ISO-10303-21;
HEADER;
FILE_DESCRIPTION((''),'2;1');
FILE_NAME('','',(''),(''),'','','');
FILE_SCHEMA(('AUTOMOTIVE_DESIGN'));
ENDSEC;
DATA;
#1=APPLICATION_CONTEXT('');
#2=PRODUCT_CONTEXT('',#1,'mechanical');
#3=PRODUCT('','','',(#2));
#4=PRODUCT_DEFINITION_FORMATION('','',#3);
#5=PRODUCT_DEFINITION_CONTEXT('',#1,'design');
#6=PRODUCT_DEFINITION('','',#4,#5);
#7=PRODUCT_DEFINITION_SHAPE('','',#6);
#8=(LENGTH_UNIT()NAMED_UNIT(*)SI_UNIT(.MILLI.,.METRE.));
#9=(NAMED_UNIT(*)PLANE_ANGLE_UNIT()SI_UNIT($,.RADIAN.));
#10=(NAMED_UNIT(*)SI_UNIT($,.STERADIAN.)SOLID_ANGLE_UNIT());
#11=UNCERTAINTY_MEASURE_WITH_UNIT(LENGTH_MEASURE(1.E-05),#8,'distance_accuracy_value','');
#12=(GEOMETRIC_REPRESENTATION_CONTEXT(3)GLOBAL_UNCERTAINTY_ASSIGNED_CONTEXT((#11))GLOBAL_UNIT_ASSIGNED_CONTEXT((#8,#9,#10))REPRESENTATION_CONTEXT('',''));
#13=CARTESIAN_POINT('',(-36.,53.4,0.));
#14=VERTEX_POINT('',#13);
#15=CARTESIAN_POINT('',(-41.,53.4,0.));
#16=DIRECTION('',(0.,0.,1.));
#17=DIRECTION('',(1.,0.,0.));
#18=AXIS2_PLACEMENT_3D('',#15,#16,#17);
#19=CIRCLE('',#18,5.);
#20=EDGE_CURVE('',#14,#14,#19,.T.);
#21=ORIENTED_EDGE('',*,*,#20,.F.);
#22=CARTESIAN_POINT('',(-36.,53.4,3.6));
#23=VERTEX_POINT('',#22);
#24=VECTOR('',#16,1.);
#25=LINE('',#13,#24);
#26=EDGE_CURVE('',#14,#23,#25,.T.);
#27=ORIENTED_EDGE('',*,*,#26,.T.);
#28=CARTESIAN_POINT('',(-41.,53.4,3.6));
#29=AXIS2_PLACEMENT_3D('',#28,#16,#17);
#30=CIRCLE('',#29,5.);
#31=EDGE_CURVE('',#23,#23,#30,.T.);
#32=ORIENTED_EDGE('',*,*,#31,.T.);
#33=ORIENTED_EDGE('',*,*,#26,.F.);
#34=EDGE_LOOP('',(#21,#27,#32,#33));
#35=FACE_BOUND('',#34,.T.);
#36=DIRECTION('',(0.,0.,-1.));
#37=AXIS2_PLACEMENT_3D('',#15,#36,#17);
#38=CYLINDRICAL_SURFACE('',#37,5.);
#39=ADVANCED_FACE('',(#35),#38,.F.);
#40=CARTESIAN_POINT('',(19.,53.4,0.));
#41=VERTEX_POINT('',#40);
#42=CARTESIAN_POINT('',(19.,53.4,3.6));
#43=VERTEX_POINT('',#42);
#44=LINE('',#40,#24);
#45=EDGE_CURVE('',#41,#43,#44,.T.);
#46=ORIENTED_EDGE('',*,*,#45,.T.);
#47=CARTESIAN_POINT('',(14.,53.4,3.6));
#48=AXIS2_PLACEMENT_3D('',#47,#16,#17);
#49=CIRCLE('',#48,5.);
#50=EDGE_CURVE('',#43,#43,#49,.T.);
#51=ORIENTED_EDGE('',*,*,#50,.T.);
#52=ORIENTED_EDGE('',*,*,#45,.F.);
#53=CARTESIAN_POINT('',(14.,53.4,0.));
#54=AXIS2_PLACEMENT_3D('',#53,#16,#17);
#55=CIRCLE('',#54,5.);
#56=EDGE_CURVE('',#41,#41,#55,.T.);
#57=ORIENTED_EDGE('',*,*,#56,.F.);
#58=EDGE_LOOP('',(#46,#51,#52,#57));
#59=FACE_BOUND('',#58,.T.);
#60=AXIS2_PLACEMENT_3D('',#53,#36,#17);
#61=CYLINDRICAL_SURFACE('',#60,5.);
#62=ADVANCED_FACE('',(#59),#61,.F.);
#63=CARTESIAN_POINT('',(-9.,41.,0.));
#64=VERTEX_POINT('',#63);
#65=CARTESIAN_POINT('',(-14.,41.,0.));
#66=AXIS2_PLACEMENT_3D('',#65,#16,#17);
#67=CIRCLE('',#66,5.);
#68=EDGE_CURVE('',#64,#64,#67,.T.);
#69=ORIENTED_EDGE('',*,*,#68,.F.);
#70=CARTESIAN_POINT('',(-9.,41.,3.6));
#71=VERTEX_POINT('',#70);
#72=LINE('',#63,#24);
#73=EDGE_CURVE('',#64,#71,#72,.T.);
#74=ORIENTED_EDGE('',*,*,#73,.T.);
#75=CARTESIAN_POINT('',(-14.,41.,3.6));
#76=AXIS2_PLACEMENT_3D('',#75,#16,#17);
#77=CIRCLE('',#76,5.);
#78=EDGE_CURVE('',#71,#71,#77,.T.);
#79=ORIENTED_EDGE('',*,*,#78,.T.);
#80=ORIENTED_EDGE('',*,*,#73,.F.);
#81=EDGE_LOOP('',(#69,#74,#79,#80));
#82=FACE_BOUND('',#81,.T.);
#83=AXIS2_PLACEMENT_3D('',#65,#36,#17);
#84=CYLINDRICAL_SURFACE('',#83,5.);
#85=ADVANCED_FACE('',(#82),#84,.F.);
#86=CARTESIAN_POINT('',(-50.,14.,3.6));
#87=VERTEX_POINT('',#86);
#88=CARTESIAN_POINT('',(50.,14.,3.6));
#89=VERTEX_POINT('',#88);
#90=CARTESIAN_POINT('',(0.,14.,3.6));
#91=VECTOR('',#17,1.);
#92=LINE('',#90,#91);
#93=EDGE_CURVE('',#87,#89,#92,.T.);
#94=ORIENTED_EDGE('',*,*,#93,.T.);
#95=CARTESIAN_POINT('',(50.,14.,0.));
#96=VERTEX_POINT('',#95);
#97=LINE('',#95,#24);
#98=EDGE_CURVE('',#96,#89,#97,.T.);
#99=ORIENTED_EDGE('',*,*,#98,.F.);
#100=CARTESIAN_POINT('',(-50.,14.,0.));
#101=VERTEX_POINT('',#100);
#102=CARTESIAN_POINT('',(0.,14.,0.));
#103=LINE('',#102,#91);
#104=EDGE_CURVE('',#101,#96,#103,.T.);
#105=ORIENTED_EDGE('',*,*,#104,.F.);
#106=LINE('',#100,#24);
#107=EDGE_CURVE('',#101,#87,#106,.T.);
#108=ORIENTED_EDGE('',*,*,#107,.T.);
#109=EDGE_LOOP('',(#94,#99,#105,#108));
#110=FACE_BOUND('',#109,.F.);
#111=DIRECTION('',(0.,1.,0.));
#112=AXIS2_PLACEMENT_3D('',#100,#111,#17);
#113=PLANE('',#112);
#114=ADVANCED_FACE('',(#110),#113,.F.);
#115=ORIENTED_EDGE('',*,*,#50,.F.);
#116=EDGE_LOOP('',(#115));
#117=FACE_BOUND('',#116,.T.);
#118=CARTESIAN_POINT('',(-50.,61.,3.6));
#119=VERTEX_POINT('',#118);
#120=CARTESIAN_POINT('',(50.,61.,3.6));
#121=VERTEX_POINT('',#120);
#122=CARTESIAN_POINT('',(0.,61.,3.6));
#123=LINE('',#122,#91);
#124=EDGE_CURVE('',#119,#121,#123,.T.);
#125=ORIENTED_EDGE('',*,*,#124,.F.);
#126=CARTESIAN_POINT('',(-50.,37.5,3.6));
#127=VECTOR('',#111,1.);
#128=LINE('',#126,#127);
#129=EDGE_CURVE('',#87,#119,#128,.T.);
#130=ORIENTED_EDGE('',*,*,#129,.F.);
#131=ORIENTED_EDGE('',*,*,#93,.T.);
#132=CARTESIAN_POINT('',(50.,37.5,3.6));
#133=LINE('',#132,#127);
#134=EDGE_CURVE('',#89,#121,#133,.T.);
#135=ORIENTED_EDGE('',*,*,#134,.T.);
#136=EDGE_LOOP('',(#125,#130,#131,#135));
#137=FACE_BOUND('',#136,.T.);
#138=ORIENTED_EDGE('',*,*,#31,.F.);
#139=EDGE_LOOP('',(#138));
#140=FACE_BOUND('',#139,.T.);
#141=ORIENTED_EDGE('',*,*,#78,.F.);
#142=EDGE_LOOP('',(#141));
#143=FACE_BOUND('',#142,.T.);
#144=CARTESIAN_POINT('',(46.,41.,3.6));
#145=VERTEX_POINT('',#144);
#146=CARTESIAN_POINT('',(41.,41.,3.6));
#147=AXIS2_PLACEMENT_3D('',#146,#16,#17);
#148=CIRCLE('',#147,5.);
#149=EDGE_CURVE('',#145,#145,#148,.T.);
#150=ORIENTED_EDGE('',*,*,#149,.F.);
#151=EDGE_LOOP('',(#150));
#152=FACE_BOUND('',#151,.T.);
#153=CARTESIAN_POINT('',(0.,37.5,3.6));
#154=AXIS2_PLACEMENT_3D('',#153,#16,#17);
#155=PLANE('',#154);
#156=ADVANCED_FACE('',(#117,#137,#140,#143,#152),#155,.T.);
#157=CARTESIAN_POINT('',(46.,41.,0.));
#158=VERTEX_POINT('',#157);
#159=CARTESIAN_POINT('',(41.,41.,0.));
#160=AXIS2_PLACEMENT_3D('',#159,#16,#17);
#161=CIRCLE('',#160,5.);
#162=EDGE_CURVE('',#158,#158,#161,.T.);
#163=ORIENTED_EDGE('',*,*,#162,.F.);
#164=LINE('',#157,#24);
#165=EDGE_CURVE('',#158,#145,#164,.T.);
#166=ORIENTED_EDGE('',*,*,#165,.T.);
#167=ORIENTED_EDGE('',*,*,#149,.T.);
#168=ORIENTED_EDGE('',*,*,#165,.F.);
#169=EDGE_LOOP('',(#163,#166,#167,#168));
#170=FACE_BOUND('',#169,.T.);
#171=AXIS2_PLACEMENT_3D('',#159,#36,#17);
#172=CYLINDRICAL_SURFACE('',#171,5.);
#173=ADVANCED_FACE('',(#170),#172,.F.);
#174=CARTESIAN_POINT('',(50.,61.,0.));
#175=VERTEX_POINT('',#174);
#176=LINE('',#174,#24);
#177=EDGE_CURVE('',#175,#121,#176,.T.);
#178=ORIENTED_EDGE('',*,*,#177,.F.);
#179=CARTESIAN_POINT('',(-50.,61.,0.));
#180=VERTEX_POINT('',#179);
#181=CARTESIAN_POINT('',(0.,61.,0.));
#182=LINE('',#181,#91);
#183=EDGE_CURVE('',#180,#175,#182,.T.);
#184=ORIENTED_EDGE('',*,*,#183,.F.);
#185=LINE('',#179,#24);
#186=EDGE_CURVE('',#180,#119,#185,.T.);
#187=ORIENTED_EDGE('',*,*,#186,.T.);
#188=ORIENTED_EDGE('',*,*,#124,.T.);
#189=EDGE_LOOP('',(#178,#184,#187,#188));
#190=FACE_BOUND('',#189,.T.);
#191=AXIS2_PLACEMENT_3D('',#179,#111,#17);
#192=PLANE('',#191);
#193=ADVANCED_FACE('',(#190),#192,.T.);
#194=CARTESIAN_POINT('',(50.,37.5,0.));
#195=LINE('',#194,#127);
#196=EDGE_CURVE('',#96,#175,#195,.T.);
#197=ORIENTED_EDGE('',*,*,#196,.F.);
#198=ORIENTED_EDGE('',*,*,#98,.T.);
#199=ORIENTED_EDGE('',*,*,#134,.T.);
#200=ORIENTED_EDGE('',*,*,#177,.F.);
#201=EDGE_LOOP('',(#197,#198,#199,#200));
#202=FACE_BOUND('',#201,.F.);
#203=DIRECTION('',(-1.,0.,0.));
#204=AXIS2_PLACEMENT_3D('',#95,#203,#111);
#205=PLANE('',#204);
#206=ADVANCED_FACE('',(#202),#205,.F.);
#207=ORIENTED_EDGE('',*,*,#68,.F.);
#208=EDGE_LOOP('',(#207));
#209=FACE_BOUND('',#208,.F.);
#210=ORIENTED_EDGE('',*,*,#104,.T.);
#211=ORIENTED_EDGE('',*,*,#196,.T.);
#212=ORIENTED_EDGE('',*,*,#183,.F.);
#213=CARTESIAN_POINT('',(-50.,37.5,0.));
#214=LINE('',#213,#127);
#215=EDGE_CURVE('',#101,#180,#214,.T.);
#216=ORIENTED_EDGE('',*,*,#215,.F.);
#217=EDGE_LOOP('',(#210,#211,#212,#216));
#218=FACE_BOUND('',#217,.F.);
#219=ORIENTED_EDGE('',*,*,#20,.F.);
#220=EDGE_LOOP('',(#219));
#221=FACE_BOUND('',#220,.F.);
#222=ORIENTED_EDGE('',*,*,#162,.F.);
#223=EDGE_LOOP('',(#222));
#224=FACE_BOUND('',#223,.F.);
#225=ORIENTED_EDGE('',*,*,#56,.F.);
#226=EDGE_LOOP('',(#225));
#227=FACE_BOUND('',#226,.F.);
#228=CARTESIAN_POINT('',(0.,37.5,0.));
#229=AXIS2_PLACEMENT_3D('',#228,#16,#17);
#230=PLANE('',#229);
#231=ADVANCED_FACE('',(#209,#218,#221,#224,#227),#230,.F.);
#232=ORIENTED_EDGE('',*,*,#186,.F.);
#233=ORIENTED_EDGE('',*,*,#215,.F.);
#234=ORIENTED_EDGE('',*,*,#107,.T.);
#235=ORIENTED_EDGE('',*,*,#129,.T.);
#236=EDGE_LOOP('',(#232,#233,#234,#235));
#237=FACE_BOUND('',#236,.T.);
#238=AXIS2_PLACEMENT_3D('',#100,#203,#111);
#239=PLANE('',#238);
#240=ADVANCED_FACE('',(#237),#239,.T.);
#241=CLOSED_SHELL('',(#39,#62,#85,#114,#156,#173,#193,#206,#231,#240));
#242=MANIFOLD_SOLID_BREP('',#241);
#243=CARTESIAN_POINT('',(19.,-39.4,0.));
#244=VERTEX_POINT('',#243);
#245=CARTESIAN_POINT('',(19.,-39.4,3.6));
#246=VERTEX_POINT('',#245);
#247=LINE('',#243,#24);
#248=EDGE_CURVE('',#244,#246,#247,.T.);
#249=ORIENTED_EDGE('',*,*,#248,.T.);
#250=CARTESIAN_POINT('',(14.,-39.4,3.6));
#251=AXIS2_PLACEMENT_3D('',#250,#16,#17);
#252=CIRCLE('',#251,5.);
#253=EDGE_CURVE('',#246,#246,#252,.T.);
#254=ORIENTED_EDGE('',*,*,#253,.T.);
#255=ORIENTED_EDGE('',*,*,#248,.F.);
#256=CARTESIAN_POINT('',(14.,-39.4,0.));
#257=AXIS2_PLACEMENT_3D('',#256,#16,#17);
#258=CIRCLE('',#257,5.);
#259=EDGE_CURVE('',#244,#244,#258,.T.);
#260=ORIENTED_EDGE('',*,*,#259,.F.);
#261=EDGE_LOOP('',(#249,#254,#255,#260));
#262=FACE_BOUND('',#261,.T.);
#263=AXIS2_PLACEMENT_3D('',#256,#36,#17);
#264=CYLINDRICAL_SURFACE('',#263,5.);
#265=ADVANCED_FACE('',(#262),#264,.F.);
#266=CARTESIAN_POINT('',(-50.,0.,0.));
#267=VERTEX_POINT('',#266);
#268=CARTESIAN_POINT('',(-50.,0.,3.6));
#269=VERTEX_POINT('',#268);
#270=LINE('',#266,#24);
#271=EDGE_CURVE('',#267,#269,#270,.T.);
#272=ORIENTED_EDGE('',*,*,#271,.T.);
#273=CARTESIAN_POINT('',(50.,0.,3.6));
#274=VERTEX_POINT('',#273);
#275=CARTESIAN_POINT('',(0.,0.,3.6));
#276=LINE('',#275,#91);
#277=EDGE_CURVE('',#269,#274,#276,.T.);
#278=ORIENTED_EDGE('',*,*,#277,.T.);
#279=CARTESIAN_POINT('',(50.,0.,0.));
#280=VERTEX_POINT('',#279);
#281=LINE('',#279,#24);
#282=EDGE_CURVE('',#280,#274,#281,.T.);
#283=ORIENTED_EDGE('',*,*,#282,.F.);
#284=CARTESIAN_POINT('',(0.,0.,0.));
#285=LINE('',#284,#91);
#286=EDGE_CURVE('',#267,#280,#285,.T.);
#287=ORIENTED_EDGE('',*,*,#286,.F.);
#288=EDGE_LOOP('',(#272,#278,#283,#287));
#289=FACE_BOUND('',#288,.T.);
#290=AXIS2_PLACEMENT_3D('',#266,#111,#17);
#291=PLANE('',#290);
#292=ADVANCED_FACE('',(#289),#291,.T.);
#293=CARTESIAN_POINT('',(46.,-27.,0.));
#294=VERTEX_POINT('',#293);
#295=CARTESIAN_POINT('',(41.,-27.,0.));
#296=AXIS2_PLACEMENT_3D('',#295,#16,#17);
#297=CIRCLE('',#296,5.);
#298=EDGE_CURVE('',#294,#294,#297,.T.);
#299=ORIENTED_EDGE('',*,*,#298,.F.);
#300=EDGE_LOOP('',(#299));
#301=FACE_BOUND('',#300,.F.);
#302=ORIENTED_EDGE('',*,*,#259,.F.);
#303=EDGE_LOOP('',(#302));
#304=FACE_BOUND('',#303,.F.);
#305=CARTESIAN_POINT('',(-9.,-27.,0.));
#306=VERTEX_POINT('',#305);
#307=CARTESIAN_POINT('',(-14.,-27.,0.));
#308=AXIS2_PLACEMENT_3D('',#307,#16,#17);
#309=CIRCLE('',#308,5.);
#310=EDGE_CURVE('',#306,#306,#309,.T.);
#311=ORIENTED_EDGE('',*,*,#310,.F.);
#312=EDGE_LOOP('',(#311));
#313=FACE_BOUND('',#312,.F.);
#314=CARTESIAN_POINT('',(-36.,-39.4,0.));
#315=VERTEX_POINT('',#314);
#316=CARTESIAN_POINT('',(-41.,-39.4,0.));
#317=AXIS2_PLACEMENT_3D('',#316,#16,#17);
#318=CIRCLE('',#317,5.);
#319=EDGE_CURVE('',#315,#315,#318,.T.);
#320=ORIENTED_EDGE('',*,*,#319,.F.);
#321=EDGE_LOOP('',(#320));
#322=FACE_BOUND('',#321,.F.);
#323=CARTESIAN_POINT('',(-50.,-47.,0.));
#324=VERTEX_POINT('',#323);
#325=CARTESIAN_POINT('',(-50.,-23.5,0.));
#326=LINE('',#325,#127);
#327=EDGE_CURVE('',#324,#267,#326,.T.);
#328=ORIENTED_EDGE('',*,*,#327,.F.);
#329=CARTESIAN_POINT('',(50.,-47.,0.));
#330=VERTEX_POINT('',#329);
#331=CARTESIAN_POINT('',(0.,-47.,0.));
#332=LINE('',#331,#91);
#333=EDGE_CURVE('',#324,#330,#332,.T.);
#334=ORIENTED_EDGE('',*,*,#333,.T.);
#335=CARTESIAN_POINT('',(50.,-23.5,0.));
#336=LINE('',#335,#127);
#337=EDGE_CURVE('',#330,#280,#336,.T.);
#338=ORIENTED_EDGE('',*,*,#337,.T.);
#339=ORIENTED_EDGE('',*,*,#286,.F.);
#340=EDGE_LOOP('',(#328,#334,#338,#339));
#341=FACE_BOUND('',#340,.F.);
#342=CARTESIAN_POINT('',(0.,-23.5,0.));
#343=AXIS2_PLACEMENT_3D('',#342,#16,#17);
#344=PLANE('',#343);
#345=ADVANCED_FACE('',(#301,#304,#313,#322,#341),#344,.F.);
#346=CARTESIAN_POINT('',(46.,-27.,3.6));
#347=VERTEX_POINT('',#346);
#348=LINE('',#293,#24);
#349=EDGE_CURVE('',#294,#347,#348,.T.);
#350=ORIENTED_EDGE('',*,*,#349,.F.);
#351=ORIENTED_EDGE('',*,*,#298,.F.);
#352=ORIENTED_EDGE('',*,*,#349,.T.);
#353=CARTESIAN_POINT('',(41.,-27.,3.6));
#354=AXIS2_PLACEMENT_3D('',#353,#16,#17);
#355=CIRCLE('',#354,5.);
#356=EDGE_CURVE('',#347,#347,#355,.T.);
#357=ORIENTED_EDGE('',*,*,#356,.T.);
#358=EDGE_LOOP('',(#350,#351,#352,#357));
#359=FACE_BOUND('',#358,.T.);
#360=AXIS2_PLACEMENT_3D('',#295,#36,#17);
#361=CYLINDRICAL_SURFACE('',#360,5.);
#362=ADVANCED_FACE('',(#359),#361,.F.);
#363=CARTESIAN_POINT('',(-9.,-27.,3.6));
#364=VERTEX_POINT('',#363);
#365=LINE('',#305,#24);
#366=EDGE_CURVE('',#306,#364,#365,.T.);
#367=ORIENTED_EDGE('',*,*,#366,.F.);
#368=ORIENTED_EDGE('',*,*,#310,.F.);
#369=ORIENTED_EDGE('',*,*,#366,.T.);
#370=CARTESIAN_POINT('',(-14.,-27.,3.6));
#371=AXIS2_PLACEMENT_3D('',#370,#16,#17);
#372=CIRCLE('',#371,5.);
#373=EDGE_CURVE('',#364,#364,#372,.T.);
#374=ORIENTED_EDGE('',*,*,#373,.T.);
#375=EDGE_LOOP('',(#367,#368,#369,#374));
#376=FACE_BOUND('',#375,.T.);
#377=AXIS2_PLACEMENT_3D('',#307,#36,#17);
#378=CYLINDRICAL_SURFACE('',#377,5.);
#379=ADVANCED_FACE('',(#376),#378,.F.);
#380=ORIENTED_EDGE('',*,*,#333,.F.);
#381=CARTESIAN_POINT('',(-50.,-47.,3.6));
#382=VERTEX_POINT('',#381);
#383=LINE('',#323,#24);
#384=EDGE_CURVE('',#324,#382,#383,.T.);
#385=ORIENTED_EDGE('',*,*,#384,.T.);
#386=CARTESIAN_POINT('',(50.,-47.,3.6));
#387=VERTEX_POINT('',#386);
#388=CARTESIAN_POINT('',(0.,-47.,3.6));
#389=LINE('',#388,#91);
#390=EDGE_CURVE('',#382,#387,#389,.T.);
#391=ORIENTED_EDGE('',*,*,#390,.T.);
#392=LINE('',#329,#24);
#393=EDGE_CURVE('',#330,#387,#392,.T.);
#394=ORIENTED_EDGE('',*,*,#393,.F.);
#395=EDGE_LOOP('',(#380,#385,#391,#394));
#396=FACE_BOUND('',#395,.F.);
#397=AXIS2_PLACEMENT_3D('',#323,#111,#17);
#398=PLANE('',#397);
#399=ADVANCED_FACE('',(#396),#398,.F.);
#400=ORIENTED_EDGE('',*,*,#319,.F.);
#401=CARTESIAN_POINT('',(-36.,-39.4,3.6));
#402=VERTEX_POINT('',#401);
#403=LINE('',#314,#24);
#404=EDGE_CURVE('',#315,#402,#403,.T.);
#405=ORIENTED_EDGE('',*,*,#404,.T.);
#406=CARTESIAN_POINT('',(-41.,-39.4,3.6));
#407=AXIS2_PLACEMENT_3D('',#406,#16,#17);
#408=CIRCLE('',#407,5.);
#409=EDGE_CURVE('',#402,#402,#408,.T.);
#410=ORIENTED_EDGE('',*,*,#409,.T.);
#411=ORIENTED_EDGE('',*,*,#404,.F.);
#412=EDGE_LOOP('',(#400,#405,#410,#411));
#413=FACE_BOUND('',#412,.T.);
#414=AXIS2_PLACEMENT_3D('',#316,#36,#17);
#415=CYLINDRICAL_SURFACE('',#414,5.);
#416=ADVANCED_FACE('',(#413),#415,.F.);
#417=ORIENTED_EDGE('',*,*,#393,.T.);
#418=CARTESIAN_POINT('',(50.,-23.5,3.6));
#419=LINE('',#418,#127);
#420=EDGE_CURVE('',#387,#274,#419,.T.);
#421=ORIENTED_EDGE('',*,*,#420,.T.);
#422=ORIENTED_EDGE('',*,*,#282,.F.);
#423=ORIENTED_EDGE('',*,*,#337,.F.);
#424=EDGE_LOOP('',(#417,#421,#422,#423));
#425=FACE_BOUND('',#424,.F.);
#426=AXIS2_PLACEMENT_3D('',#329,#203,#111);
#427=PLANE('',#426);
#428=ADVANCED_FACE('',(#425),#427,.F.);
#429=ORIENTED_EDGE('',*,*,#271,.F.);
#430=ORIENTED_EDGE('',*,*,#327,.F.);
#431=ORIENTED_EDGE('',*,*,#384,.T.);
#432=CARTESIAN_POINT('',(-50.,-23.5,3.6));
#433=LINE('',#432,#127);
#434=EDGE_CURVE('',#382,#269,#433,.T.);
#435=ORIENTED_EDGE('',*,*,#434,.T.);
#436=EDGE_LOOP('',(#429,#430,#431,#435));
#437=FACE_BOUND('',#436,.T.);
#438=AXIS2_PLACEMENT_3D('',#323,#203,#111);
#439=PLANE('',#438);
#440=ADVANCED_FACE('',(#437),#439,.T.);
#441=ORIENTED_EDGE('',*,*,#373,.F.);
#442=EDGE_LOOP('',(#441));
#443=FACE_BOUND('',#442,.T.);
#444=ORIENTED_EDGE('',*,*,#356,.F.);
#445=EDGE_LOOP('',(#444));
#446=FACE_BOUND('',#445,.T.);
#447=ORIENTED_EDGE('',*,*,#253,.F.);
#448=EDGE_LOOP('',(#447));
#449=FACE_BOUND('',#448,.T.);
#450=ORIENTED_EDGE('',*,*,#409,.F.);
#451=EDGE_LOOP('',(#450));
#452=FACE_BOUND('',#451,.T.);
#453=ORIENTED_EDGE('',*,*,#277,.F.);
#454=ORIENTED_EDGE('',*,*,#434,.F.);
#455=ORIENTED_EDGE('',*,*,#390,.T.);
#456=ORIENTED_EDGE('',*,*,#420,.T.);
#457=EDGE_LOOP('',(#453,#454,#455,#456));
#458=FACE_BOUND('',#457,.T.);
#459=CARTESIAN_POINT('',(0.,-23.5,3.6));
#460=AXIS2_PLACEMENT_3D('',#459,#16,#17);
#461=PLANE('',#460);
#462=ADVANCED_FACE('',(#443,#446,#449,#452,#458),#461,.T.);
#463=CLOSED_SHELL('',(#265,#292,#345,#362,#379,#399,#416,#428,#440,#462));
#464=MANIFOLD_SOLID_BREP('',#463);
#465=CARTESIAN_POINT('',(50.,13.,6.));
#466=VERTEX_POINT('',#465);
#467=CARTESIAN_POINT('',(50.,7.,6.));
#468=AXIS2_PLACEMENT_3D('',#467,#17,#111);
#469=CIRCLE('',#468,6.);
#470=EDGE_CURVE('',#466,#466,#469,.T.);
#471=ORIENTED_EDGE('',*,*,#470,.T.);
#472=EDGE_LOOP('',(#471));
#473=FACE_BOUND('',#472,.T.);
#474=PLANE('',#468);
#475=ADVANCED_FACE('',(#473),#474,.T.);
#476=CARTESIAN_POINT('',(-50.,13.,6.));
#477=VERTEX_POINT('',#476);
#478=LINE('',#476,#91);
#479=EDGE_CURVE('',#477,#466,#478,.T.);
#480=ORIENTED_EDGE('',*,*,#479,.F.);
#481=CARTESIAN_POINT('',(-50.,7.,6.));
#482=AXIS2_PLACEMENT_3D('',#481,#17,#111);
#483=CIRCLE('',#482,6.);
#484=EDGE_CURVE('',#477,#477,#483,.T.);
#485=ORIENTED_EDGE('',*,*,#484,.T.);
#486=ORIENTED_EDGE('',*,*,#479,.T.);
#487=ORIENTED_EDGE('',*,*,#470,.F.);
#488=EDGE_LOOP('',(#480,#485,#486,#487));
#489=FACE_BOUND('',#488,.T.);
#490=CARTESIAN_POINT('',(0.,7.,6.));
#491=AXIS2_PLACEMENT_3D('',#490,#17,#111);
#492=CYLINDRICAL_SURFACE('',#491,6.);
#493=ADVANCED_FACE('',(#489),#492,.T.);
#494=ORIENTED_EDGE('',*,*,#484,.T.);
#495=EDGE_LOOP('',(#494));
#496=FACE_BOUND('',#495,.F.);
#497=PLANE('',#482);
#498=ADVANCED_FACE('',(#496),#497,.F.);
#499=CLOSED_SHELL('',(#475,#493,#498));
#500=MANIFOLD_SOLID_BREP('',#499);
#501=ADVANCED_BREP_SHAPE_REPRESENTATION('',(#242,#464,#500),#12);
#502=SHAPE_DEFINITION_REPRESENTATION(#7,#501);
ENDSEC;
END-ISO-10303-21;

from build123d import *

# Parameters (mm, degrees)
F0_W          = 100
F0_H          = 47
F0_R          = 5
F1_DEPTH      = 3.6
F2_R          = 6
F3_DEPTH      = 50
F3_DEPTH_BACK = 50


with BuildPart() as f1:
    # F0 (on Top) → F1 (new body)
    with BuildSketch(Plane.XY):
        with Locations((0, -23.5)):
            Rectangle(F0_W, F0_H)
        with Locations((-41, -39.4)):
            Circle(F0_R, mode=Mode.SUBTRACT)
        with Locations((-14, -27)):
            Circle(F0_R, mode=Mode.SUBTRACT)
        with Locations((14, -39.4)):
            Circle(F0_R, mode=Mode.SUBTRACT)
        with Locations((41, -27)):
            Circle(F0_R, mode=Mode.SUBTRACT)
        with Locations((0, 37.5)):
            Rectangle(F0_W, F0_H)
        with Locations((-41, 53.4)):
            Circle(F0_R, mode=Mode.SUBTRACT)
        with Locations((-14, 41)):
            Circle(F0_R, mode=Mode.SUBTRACT)
        with Locations((14, 53.4)):
            Circle(F0_R, mode=Mode.SUBTRACT)
        with Locations((41, 41)):
            Circle(F0_R, mode=Mode.SUBTRACT)
    extrude(amount=F1_DEPTH)


with BuildPart() as f3:
    # F2 (on Right) → F3 (new body, two sides)
    with BuildSketch(Plane.YZ) as f3_sk:
        with Locations((7, 6)):
            Circle(F2_R)
    extrude(amount=F3_DEPTH)
    extrude(f3_sk.sketch, amount=-F3_DEPTH_BACK)


solid = Compound([f1.part, f3.part])
